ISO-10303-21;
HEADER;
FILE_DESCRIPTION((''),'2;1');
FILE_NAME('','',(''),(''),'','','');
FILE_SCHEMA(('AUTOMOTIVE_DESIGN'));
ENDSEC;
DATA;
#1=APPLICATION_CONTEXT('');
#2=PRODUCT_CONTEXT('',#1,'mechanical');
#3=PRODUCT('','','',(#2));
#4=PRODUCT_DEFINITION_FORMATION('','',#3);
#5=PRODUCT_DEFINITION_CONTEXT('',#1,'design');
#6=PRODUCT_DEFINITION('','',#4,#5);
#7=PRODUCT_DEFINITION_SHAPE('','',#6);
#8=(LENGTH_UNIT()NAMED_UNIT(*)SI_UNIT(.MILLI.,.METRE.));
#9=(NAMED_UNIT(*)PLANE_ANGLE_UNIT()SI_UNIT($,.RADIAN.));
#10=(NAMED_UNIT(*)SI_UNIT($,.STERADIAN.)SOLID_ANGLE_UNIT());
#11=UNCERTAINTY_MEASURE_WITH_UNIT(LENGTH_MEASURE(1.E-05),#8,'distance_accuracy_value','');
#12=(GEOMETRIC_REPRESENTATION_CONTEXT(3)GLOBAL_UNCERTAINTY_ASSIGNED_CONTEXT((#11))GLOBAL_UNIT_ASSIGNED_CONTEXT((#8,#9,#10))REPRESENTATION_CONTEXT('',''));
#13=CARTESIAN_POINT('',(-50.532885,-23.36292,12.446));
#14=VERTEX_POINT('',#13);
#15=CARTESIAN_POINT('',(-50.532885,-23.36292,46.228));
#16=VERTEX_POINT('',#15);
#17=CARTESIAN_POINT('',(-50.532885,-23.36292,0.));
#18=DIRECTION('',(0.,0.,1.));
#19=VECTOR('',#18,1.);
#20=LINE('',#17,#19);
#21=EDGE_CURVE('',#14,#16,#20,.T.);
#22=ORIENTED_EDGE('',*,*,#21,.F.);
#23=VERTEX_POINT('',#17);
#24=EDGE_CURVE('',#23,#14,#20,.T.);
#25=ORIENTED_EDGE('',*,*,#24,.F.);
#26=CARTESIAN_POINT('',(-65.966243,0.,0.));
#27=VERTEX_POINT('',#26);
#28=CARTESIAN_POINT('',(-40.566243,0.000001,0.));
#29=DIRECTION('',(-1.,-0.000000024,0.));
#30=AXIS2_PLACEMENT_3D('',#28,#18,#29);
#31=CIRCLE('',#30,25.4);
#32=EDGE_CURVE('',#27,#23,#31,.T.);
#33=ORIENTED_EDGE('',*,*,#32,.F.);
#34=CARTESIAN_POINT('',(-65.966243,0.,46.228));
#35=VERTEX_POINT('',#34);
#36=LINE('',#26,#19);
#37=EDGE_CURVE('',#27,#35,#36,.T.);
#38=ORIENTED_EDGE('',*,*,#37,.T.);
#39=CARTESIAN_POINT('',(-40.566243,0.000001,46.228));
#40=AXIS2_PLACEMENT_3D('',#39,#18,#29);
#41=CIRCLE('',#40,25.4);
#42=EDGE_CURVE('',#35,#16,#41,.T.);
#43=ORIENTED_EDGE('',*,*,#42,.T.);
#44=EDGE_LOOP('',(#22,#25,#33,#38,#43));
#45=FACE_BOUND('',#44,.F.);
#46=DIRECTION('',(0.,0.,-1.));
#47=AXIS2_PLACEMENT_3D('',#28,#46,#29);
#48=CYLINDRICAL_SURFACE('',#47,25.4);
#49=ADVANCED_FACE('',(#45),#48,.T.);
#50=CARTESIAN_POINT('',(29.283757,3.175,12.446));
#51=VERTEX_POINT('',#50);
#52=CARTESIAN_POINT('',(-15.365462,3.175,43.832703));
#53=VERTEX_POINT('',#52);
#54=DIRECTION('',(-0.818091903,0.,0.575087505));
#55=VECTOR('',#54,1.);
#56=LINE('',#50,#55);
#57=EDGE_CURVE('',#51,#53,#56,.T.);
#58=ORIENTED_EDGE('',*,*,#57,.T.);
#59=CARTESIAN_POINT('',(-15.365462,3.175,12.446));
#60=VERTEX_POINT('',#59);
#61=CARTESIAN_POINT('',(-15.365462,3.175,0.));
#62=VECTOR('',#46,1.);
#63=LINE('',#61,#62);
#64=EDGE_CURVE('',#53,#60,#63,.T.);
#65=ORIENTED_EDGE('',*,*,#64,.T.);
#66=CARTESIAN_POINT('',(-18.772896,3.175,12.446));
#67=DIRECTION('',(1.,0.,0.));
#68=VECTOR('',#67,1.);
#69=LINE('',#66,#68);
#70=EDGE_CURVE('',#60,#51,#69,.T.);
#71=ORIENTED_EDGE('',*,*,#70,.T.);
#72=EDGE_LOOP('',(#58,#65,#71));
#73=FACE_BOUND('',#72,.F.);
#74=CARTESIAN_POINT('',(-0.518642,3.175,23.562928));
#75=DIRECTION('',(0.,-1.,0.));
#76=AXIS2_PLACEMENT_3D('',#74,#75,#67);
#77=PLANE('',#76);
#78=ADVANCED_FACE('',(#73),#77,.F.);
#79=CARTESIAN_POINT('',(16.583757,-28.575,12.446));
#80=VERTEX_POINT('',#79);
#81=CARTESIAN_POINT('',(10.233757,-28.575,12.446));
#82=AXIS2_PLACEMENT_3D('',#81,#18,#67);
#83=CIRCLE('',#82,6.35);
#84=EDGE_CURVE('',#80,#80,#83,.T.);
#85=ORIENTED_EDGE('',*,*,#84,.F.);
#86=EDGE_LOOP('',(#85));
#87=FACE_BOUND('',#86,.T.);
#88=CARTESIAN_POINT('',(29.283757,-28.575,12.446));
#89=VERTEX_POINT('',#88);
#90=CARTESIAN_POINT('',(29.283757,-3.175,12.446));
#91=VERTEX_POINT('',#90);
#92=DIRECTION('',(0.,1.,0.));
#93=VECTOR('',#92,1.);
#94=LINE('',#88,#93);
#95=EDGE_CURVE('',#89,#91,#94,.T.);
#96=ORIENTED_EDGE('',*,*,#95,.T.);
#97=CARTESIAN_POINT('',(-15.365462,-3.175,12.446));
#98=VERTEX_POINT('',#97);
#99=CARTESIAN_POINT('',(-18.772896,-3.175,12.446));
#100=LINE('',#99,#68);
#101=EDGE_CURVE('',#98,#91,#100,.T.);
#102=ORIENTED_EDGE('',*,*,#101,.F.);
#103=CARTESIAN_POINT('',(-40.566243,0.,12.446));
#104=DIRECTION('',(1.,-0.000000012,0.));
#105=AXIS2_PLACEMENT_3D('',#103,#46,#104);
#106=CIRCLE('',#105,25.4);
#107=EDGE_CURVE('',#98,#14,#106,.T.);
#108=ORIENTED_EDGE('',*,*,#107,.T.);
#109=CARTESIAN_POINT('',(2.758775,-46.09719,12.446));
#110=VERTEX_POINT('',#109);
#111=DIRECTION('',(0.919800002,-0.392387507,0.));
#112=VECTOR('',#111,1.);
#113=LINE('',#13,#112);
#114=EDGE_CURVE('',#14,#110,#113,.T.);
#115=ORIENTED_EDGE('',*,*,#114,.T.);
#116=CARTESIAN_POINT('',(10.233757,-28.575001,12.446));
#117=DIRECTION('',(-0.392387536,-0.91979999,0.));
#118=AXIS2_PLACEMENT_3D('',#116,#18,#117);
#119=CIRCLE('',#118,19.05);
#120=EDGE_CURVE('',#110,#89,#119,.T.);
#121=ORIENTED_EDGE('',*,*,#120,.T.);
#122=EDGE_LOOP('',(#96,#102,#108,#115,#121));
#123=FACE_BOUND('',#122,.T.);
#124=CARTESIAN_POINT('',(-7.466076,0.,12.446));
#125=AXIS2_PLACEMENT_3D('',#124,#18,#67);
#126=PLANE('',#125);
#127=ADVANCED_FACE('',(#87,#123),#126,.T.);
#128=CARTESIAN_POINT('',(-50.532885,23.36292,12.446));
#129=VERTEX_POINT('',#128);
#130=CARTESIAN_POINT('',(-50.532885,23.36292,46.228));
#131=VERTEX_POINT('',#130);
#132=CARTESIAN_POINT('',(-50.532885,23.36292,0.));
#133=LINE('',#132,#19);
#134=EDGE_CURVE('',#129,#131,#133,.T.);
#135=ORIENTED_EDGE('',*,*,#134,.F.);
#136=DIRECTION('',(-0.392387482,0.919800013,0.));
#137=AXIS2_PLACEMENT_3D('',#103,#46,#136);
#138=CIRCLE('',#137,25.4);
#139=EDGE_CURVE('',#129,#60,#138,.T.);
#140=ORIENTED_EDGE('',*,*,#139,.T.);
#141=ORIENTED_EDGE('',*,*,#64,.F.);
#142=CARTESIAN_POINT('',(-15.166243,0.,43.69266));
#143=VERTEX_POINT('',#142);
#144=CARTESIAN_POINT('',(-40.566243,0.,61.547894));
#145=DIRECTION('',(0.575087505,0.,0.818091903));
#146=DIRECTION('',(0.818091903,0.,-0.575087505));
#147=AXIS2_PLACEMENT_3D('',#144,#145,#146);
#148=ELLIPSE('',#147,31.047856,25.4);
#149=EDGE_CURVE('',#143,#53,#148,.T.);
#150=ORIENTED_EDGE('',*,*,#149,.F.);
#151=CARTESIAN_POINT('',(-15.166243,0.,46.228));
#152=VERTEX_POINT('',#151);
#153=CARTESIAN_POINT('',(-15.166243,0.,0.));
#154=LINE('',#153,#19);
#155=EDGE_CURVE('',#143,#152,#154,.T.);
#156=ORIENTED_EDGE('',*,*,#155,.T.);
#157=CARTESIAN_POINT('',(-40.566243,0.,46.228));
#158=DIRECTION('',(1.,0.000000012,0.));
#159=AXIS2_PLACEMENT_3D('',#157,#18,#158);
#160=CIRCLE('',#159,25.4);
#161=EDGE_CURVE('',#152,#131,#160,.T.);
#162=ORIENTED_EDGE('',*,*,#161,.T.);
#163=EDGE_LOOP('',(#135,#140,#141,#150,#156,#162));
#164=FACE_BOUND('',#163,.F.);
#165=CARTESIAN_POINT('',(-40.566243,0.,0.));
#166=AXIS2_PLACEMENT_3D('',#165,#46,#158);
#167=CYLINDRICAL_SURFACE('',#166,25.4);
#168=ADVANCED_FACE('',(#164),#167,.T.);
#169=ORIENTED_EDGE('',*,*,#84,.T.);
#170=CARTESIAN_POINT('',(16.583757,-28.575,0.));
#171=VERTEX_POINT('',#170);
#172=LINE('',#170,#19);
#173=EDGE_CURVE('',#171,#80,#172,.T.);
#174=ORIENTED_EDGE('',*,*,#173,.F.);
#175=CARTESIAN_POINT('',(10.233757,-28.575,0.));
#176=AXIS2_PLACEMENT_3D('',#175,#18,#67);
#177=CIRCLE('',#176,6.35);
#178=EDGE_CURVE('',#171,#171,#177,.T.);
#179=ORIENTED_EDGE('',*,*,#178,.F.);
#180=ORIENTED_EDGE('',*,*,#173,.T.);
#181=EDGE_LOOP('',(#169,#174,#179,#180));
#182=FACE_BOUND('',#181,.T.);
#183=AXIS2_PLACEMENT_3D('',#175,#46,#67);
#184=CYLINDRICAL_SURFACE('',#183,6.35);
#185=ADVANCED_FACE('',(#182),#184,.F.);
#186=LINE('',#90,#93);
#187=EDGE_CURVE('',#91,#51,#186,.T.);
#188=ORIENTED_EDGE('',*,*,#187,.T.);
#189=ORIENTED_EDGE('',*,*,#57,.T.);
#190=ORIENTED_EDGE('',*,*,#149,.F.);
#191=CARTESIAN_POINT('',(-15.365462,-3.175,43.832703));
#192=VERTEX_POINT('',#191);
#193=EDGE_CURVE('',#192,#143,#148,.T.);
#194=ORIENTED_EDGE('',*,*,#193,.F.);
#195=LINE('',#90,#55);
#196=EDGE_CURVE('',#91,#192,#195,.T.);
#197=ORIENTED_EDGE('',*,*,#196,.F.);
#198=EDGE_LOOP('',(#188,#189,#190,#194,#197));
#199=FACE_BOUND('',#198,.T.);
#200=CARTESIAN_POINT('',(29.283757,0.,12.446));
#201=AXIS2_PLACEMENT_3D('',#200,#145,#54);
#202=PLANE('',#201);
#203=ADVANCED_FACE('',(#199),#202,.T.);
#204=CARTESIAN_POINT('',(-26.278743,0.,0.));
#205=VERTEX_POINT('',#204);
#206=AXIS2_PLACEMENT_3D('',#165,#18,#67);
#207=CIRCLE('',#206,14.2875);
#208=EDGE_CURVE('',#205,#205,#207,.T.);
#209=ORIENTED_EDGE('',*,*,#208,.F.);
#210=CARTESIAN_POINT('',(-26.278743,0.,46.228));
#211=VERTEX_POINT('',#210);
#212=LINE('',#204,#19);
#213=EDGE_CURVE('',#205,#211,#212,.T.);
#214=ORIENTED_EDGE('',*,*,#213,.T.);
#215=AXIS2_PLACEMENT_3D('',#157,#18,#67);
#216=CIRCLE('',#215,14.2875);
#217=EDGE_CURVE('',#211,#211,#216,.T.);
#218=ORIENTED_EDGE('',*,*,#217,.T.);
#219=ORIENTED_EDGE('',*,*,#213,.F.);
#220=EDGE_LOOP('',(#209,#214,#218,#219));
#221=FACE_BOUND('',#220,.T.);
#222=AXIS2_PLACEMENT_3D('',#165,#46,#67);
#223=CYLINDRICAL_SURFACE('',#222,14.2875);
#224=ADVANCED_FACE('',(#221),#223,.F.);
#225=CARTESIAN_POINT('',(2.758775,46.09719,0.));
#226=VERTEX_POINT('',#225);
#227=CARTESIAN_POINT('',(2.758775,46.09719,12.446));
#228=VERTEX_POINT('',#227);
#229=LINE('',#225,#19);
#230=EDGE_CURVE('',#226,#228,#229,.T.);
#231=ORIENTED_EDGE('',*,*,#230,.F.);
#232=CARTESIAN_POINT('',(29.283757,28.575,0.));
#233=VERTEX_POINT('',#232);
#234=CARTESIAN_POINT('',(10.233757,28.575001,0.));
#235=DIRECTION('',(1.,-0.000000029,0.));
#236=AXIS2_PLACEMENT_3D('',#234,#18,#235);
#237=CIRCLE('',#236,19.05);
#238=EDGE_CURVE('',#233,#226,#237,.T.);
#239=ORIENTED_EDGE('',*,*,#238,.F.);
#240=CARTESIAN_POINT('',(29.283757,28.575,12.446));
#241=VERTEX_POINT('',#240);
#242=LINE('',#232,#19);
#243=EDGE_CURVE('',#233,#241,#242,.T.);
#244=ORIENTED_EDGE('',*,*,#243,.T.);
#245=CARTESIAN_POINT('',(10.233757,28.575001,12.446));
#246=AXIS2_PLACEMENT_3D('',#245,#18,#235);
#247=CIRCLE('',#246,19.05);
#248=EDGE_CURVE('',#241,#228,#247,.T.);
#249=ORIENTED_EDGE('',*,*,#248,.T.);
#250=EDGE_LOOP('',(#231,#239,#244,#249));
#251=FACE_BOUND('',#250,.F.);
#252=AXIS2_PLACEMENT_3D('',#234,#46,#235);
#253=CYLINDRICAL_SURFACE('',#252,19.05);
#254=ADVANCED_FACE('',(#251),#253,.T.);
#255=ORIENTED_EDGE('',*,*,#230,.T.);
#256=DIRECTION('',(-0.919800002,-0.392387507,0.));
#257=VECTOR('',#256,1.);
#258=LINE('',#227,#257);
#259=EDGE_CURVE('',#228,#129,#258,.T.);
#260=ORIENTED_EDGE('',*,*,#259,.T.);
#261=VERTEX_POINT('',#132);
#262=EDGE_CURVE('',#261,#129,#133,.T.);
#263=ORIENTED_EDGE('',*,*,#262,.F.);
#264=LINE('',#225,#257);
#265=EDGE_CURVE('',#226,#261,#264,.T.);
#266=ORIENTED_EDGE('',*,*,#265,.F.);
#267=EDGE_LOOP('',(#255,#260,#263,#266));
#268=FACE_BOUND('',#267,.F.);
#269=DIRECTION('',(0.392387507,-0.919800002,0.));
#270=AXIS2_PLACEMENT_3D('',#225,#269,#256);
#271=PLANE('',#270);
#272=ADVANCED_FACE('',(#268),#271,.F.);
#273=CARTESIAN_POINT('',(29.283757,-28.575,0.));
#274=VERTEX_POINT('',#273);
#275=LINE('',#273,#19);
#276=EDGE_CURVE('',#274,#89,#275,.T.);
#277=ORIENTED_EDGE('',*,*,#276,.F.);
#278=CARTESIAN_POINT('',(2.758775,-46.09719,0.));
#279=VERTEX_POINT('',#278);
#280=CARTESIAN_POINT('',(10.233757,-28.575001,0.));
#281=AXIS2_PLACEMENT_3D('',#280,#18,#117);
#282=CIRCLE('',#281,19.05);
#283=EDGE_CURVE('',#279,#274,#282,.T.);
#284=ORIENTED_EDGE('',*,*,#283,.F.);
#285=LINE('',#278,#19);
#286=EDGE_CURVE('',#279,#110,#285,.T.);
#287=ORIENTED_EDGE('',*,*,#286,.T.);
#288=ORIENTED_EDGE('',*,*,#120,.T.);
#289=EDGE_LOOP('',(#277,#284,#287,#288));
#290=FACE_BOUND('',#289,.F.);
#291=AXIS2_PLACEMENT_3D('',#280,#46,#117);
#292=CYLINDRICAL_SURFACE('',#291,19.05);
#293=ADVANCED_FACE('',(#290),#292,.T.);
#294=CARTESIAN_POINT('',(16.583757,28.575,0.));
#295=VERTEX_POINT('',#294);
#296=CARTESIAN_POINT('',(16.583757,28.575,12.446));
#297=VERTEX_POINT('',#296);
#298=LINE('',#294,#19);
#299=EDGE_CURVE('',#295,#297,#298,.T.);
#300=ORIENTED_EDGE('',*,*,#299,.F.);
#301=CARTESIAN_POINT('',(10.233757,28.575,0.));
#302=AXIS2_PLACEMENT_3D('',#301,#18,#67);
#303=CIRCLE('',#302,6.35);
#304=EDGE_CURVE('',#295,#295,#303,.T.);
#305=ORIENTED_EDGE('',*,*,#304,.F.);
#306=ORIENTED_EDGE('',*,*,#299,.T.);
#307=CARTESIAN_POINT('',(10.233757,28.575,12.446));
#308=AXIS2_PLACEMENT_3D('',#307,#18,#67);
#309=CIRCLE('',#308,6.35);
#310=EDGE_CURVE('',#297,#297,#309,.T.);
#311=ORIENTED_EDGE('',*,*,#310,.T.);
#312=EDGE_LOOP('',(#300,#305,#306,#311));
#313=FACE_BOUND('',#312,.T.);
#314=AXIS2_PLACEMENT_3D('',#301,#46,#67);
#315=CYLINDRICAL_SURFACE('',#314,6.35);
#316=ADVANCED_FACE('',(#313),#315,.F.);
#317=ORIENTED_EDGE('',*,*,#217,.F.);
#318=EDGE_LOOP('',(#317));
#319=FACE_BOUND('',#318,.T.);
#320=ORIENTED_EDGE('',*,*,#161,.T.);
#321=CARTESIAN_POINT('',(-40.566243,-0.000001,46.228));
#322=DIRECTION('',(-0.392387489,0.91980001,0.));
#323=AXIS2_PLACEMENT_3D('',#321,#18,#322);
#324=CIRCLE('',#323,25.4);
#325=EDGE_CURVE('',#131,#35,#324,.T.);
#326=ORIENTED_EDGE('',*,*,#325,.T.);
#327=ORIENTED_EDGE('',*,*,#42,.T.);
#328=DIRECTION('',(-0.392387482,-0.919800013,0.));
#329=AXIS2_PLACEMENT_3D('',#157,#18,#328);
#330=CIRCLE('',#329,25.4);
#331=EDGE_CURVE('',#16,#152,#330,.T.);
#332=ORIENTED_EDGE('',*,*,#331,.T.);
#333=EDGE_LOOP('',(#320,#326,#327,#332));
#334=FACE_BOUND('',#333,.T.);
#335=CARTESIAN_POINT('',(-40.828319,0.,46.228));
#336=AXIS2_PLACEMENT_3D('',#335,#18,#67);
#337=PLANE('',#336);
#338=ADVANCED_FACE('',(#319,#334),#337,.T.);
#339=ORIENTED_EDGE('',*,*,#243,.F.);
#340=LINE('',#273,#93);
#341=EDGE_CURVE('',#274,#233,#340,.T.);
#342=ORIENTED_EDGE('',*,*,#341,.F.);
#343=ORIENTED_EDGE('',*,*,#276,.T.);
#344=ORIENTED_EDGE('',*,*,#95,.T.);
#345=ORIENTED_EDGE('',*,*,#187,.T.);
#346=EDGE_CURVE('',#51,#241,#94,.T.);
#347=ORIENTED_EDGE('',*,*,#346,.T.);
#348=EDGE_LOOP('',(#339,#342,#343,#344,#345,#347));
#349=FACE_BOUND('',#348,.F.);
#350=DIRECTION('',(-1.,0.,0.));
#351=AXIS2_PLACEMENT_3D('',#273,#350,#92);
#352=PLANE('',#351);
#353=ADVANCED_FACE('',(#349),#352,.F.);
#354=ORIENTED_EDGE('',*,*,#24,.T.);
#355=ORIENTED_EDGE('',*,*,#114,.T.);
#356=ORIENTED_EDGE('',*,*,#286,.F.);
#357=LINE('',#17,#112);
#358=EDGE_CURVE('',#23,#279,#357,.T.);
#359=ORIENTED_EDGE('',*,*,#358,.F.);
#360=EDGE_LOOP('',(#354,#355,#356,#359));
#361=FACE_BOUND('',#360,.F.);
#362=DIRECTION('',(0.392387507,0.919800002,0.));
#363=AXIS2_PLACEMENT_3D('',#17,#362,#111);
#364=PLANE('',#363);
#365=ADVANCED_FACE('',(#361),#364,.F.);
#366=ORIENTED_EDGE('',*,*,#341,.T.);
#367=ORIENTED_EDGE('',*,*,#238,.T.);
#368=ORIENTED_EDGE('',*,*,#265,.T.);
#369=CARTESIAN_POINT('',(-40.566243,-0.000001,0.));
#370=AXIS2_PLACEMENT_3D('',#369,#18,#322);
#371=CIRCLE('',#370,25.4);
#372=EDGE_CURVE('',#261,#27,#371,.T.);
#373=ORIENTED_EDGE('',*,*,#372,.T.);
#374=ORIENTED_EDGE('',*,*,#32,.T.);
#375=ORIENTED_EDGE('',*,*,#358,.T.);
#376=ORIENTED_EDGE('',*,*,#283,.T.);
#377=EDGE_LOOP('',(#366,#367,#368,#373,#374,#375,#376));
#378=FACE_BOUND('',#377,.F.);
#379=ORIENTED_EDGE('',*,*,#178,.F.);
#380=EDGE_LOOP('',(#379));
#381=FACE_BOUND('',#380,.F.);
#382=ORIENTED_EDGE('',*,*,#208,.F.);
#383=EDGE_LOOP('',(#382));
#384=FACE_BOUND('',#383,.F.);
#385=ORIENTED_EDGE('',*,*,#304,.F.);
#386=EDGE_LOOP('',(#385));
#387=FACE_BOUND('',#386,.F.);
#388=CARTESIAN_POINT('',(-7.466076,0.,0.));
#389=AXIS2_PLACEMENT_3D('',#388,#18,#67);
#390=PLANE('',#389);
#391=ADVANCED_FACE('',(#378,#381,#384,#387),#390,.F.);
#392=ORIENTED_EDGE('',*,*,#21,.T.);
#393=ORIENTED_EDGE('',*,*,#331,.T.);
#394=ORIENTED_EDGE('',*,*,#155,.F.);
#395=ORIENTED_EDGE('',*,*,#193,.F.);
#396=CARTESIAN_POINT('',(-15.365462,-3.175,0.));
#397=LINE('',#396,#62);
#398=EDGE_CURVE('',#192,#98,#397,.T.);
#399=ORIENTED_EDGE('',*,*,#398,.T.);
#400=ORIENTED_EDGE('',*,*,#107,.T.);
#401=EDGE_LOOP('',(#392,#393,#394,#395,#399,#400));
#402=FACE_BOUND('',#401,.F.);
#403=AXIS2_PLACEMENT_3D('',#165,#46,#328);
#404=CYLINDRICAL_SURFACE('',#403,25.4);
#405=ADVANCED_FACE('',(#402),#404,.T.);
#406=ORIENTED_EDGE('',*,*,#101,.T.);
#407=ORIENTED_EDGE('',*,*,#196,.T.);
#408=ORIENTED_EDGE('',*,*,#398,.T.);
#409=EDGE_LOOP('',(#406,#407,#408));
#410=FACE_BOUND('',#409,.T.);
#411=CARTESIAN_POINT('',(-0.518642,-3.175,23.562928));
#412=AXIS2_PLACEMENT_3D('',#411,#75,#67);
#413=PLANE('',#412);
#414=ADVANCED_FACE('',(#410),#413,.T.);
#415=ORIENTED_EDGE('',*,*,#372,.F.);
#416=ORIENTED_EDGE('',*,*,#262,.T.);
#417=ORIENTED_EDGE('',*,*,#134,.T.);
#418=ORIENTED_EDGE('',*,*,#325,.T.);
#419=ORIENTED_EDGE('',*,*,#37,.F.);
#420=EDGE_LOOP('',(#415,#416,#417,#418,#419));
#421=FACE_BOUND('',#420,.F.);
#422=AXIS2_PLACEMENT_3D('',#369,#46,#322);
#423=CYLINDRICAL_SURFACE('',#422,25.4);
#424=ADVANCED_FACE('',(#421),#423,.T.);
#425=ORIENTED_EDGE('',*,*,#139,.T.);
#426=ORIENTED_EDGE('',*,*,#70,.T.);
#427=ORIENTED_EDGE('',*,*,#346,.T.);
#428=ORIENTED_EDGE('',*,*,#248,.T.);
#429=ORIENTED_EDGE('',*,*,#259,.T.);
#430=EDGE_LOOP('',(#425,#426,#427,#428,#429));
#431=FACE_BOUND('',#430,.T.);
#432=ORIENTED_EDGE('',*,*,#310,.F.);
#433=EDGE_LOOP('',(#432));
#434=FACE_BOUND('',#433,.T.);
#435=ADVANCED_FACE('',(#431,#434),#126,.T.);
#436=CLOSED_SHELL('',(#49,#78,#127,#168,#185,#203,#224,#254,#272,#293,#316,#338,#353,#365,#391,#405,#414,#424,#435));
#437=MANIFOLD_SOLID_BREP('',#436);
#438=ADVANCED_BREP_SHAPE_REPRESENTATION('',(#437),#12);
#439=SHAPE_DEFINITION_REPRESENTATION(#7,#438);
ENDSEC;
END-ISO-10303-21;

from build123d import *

# Parameters (mm, degrees)
F0_R     = 14.2875
F1_DEPTH = 46.228
F0_R_2   = 6.35
F2_DEPTH = 12.446
F4_DEPTH = 3.175


with BuildPart() as f1:
    # F0 (on Top) → F1 (new body)
    with BuildSketch(Plane.XY):
        with BuildLine():
            ThreePointArc((-15.166243, 0), (-26.566113, 21.193309), (-50.532885, 23.36292))
            ThreePointArc((-50.532885, 23.36292), (-61.759552, 14.00013), (-65.966243, 0))
            ThreePointArc((-65.966243, 0), (-61.759552, -14.00013), (-50.532885, -23.36292))
            ThreePointArc((-50.532885, -23.36292), (-26.566113, -21.193309), (-15.166243, 0))
        make_face()
        with Locations((-40.566243, 0)):
            Circle(F0_R, mode=Mode.SUBTRACT)
    extrude(amount=F1_DEPTH)

    # F0 (on Top) → F2 (join)
    with BuildSketch(Plane.XY):
        with BuildLine():
            Line((29.283757, 0), (29.283757, 28.575))
            ThreePointArc((29.283757, 28.575), (20.733855, 44.469982), (2.758775, 46.09719))
            Line((2.758775, 46.09719), (-50.532885, 23.36292))
            ThreePointArc((-50.532885, 23.36292), (-26.566113, 21.193309), (-15.166243, 0))
            ThreePointArc((-15.166243, 0), (-26.566113, -21.193309), (-50.532885, -23.36292))
            Line((-50.532885, -23.36292), (2.758775, -46.09719))
            ThreePointArc((2.758775, -46.09719), (20.733855, -44.469982), (29.283757, -28.575))
            Line((29.283757, -28.575), (29.283757, 0))
        make_face()
        with Locations((10.233757, -28.575)):
            Circle(F0_R_2, mode=Mode.SUBTRACT)
        with Locations((10.233757, 28.575)):
            Circle(F0_R_2, mode=Mode.SUBTRACT)
    extrude(amount=F2_DEPTH)

    # F3 (on Front) → F4 (join, symmetric)
    with BuildSketch(Plane.XZ):
        Polygon((29.283757, 12.446), (-18.772896, 46.228), (-18.772896, 12.446), align=None)
    extrude(amount=F4_DEPTH, both=True)


solid = f1.part
